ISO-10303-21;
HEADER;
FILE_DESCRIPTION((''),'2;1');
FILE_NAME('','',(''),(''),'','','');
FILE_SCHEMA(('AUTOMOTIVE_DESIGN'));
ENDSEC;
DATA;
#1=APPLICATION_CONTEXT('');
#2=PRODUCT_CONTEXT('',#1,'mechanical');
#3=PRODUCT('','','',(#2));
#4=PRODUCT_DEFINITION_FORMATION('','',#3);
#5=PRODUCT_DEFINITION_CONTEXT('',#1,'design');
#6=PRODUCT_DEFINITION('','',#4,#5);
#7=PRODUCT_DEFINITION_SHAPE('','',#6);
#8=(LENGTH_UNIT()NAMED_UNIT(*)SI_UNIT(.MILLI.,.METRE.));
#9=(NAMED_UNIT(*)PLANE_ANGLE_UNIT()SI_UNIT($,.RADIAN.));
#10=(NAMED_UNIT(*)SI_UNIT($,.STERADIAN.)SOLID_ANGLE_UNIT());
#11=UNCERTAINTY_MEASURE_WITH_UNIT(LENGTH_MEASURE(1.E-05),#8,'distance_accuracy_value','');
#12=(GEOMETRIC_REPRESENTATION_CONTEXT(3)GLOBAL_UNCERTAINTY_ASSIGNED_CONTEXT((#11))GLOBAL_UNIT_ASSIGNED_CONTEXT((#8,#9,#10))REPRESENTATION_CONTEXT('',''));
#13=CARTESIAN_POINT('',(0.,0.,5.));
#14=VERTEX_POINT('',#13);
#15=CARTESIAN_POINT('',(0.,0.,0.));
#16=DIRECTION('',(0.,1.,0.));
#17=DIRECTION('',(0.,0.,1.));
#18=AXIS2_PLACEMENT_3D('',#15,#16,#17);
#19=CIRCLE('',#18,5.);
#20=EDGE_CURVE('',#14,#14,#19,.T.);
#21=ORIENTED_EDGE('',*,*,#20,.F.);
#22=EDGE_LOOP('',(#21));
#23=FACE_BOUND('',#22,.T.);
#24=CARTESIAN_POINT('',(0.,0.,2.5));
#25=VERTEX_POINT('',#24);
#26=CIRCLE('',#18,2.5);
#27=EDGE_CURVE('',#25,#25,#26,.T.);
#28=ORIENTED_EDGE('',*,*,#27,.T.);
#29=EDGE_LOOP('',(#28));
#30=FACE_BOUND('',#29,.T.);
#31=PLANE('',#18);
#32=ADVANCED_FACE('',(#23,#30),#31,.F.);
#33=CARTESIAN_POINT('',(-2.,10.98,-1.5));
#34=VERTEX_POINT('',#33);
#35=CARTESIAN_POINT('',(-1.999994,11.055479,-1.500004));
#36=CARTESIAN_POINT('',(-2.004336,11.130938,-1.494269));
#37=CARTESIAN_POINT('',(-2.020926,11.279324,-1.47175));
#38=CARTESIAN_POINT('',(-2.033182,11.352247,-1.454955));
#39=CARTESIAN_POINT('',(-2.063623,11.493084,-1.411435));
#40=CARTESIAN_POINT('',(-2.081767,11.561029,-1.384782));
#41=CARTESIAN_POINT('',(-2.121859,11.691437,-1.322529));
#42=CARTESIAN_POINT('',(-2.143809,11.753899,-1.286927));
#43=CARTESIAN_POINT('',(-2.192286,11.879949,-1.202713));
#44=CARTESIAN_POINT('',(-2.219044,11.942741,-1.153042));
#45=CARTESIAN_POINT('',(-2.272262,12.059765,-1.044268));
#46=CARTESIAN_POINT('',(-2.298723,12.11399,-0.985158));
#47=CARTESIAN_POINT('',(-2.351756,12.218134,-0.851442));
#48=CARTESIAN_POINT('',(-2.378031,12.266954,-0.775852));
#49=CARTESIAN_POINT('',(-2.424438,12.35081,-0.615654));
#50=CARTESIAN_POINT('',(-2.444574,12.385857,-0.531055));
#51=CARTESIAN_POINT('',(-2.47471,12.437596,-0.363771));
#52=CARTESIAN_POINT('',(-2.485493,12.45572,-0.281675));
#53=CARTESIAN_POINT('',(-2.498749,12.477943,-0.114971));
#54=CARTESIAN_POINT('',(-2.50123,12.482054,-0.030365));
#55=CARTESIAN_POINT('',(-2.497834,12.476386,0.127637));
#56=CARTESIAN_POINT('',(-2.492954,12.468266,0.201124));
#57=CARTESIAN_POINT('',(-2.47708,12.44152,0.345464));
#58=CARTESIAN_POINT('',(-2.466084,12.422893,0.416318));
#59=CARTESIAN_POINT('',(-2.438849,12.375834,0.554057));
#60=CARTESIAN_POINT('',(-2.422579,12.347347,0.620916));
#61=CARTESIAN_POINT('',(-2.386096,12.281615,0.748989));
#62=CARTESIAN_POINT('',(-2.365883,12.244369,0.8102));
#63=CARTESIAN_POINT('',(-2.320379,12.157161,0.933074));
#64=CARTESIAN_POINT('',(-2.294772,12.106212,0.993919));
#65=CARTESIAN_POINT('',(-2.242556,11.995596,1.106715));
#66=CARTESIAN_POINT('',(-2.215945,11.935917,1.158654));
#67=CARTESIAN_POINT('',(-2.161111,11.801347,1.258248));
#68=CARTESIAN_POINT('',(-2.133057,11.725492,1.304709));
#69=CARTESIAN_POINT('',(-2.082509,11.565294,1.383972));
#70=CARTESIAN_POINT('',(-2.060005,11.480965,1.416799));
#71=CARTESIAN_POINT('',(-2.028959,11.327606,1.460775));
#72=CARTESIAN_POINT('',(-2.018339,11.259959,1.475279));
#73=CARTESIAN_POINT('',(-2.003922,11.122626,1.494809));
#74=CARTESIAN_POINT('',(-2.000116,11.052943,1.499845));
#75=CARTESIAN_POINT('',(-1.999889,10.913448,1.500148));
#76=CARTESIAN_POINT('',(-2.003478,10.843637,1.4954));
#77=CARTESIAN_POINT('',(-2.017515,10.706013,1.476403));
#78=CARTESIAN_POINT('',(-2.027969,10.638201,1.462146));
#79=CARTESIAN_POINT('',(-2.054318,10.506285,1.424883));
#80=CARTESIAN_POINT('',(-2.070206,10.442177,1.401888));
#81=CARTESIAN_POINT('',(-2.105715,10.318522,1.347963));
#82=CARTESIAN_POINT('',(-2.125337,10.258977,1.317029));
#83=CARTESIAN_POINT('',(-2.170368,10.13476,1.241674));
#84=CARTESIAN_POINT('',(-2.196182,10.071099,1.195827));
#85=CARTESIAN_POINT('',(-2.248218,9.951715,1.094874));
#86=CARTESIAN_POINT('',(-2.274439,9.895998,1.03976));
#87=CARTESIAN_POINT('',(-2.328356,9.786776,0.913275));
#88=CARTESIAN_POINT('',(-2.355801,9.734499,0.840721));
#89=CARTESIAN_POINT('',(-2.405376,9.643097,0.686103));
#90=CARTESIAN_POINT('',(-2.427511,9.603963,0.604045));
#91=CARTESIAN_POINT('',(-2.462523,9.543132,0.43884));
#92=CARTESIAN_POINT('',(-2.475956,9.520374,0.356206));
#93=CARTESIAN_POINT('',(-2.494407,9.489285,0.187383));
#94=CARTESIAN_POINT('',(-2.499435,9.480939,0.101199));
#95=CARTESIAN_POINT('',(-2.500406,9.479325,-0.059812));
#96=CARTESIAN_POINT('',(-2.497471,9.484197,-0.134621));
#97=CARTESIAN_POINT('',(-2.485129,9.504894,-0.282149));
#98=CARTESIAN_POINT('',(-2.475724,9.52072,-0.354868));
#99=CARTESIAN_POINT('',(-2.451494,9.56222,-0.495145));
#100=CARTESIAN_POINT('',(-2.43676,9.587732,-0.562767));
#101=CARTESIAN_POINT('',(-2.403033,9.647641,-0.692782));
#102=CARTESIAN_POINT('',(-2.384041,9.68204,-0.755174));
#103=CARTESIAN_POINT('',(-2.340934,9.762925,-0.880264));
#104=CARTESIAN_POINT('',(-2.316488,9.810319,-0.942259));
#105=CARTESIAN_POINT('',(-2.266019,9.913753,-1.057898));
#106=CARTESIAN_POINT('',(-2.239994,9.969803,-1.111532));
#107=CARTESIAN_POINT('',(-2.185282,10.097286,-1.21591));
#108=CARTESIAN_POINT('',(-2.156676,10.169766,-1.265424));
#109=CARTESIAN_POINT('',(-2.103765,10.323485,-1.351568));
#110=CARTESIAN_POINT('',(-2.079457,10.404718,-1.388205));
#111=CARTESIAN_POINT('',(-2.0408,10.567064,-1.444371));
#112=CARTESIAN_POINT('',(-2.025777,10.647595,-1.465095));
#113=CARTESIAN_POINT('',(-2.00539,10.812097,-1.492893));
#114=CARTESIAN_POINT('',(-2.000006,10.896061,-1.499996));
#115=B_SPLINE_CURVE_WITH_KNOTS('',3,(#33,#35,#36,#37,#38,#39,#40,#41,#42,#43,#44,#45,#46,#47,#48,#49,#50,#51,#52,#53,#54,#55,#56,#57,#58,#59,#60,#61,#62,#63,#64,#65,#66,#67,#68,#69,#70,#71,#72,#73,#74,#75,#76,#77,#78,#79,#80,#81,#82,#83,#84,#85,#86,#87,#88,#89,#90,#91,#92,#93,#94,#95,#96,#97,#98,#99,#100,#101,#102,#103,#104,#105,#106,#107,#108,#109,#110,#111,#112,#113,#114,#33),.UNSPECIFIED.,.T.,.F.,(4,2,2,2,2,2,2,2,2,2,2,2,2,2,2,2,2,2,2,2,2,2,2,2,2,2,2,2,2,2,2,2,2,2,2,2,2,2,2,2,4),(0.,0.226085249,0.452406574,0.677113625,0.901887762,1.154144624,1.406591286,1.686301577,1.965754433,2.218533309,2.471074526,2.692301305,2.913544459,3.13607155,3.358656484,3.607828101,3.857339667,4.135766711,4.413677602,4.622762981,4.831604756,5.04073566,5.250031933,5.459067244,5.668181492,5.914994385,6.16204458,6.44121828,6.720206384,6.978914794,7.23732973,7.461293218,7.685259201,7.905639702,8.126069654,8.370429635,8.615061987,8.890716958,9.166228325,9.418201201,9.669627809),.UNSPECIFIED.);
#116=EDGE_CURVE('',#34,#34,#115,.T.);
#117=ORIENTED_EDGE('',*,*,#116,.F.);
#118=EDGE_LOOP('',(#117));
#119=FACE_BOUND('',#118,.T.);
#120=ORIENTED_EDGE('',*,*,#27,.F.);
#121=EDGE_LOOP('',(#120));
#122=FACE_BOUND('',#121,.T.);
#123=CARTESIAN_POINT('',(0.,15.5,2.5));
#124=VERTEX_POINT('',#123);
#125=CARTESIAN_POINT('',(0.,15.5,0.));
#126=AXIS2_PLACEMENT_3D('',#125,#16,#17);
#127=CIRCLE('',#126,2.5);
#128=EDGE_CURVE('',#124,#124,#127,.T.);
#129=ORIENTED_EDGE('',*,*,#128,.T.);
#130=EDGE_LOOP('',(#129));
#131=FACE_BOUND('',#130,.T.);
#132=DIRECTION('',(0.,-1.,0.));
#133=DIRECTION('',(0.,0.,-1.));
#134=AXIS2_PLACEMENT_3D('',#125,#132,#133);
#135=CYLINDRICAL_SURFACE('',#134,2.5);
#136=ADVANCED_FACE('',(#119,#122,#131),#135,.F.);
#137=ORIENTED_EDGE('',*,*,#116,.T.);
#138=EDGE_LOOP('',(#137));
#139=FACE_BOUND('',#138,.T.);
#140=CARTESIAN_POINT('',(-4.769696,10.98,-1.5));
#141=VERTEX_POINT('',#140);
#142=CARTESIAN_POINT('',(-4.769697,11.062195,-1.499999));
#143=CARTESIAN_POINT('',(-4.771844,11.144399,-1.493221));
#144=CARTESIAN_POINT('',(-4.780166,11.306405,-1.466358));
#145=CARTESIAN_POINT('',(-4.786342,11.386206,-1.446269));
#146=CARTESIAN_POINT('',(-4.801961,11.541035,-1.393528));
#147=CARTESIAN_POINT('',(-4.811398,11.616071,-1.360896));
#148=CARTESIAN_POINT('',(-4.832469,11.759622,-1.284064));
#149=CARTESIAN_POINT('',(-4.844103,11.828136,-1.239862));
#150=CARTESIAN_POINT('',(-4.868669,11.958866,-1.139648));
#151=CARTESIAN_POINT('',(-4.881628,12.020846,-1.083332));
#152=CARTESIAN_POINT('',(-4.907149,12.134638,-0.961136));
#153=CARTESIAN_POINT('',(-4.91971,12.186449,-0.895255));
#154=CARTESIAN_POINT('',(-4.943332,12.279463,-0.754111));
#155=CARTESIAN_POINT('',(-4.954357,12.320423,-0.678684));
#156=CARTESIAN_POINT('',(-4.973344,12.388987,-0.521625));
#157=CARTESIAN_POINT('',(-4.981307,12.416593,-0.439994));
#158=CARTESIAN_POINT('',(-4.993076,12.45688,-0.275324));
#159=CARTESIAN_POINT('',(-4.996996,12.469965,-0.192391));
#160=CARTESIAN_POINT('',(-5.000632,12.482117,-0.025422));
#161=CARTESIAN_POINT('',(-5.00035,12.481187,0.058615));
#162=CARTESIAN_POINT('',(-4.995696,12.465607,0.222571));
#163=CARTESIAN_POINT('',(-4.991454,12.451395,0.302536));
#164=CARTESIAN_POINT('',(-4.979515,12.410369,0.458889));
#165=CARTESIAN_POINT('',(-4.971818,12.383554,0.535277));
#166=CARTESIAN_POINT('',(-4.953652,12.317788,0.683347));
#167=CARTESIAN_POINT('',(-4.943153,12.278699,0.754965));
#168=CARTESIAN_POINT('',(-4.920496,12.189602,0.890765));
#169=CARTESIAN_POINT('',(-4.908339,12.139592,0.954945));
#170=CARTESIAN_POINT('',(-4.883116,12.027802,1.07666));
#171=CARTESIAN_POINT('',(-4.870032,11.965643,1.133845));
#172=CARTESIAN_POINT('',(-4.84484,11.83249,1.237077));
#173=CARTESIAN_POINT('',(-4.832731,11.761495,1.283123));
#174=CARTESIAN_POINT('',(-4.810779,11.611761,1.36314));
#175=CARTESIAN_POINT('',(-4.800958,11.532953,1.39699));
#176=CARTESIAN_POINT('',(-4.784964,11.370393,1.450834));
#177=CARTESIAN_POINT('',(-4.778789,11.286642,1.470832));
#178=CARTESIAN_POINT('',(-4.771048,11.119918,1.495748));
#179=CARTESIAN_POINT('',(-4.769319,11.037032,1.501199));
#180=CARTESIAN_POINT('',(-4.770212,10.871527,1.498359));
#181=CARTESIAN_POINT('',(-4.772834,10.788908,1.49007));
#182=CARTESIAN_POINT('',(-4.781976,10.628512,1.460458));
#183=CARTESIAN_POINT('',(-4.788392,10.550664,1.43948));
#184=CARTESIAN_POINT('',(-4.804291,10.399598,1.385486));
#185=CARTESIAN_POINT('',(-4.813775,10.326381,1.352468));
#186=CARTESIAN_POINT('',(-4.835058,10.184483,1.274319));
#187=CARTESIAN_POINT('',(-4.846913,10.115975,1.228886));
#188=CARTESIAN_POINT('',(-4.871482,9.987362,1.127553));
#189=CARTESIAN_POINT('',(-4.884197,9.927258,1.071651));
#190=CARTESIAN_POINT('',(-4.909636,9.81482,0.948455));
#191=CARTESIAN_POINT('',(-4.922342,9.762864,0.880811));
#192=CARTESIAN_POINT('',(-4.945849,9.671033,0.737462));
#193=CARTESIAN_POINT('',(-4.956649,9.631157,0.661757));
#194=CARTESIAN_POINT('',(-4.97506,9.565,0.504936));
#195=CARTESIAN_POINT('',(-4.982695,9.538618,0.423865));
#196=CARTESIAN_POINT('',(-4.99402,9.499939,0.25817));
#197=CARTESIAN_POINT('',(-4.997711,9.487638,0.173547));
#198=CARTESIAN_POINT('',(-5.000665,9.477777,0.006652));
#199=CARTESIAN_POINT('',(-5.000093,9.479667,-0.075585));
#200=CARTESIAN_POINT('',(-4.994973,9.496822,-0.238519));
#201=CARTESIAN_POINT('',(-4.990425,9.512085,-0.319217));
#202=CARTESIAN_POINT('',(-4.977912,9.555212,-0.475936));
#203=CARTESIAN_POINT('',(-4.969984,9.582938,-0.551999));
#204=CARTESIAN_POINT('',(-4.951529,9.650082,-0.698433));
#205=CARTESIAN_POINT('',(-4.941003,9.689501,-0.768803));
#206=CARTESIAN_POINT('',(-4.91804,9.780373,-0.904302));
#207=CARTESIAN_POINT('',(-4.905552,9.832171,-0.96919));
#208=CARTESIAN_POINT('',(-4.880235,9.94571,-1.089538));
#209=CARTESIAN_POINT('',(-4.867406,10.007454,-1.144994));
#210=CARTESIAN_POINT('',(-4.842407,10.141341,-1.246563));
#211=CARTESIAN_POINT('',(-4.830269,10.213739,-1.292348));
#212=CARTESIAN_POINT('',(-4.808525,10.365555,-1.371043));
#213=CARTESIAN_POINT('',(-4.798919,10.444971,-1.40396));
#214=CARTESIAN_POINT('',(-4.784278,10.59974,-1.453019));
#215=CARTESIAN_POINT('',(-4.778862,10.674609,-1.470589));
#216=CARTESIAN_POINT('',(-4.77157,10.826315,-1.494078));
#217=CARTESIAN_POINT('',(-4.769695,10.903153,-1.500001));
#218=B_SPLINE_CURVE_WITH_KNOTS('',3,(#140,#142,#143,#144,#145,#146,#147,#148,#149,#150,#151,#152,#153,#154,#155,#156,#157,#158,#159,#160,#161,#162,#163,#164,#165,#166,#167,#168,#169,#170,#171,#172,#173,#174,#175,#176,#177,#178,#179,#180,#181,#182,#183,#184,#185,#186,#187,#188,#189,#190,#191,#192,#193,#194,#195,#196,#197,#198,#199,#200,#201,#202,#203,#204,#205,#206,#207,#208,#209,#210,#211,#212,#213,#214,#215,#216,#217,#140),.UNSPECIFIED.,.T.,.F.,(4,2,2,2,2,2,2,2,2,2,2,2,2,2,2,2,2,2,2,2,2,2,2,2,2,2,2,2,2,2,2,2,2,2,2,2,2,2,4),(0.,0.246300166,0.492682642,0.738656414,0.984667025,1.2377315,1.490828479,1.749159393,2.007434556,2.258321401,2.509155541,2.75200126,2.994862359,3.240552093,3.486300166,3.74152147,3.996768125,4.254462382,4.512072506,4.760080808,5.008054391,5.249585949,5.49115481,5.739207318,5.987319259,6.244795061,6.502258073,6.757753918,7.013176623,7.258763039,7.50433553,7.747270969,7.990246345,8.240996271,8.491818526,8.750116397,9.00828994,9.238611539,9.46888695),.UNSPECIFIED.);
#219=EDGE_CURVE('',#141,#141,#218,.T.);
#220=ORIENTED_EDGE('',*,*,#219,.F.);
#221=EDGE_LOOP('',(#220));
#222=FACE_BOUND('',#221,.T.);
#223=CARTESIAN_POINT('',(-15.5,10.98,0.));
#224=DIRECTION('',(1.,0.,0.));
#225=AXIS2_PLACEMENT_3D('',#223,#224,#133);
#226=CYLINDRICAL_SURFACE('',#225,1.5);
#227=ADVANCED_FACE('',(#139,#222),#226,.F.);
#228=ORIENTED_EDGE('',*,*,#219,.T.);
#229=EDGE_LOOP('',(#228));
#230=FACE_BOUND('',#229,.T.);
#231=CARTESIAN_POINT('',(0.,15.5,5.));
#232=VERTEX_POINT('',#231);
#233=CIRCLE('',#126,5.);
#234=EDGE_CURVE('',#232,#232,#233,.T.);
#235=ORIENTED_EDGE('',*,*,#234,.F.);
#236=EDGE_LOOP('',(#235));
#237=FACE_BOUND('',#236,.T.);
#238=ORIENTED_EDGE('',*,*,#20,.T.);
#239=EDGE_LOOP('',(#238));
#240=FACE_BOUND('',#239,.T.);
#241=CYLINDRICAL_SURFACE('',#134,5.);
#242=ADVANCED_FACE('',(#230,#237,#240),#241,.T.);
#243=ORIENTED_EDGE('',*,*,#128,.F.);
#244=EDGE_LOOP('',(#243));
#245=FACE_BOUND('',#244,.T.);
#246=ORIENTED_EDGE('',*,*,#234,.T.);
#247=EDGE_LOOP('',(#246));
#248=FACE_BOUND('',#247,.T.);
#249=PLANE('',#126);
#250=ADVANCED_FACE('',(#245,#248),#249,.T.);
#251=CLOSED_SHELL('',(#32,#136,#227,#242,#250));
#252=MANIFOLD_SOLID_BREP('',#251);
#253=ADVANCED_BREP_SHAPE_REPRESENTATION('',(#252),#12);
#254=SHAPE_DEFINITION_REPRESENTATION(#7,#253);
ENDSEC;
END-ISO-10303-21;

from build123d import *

# Parameters (mm, degrees)
SKETCH1_R           = 5
SKETCH1_R_2         = 2.5
BOSS_EXTRUDE1_DEPTH = 15.5
SKETCH2_R           = 1.5
CUT_EXTRUDE1_DEPTH  = 15.5


with BuildPart() as part:
    # Sketch1 → Boss-Extrude1 (new body)
    with BuildSketch(Plane(origin=(0, 0, 0), x_dir=(1, 0, 0), z_dir=(0, 1, 0))):
        Circle(SKETCH1_R)
        Circle(SKETCH1_R_2, mode=Mode.SUBTRACT)
    extrude(amount=BOSS_EXTRUDE1_DEPTH)

    # Sketch2 → Cut-Extrude1 (cut)
    with BuildSketch(Plane(origin=(0, 0, 0), x_dir=(0, 0, -1), z_dir=(1, 0, 0))):
        with Locations((0, 10.98)):
            Circle(SKETCH2_R)
    extrude(amount=-CUT_EXTRUDE1_DEPTH, mode=Mode.SUBTRACT)


solid = part.part
